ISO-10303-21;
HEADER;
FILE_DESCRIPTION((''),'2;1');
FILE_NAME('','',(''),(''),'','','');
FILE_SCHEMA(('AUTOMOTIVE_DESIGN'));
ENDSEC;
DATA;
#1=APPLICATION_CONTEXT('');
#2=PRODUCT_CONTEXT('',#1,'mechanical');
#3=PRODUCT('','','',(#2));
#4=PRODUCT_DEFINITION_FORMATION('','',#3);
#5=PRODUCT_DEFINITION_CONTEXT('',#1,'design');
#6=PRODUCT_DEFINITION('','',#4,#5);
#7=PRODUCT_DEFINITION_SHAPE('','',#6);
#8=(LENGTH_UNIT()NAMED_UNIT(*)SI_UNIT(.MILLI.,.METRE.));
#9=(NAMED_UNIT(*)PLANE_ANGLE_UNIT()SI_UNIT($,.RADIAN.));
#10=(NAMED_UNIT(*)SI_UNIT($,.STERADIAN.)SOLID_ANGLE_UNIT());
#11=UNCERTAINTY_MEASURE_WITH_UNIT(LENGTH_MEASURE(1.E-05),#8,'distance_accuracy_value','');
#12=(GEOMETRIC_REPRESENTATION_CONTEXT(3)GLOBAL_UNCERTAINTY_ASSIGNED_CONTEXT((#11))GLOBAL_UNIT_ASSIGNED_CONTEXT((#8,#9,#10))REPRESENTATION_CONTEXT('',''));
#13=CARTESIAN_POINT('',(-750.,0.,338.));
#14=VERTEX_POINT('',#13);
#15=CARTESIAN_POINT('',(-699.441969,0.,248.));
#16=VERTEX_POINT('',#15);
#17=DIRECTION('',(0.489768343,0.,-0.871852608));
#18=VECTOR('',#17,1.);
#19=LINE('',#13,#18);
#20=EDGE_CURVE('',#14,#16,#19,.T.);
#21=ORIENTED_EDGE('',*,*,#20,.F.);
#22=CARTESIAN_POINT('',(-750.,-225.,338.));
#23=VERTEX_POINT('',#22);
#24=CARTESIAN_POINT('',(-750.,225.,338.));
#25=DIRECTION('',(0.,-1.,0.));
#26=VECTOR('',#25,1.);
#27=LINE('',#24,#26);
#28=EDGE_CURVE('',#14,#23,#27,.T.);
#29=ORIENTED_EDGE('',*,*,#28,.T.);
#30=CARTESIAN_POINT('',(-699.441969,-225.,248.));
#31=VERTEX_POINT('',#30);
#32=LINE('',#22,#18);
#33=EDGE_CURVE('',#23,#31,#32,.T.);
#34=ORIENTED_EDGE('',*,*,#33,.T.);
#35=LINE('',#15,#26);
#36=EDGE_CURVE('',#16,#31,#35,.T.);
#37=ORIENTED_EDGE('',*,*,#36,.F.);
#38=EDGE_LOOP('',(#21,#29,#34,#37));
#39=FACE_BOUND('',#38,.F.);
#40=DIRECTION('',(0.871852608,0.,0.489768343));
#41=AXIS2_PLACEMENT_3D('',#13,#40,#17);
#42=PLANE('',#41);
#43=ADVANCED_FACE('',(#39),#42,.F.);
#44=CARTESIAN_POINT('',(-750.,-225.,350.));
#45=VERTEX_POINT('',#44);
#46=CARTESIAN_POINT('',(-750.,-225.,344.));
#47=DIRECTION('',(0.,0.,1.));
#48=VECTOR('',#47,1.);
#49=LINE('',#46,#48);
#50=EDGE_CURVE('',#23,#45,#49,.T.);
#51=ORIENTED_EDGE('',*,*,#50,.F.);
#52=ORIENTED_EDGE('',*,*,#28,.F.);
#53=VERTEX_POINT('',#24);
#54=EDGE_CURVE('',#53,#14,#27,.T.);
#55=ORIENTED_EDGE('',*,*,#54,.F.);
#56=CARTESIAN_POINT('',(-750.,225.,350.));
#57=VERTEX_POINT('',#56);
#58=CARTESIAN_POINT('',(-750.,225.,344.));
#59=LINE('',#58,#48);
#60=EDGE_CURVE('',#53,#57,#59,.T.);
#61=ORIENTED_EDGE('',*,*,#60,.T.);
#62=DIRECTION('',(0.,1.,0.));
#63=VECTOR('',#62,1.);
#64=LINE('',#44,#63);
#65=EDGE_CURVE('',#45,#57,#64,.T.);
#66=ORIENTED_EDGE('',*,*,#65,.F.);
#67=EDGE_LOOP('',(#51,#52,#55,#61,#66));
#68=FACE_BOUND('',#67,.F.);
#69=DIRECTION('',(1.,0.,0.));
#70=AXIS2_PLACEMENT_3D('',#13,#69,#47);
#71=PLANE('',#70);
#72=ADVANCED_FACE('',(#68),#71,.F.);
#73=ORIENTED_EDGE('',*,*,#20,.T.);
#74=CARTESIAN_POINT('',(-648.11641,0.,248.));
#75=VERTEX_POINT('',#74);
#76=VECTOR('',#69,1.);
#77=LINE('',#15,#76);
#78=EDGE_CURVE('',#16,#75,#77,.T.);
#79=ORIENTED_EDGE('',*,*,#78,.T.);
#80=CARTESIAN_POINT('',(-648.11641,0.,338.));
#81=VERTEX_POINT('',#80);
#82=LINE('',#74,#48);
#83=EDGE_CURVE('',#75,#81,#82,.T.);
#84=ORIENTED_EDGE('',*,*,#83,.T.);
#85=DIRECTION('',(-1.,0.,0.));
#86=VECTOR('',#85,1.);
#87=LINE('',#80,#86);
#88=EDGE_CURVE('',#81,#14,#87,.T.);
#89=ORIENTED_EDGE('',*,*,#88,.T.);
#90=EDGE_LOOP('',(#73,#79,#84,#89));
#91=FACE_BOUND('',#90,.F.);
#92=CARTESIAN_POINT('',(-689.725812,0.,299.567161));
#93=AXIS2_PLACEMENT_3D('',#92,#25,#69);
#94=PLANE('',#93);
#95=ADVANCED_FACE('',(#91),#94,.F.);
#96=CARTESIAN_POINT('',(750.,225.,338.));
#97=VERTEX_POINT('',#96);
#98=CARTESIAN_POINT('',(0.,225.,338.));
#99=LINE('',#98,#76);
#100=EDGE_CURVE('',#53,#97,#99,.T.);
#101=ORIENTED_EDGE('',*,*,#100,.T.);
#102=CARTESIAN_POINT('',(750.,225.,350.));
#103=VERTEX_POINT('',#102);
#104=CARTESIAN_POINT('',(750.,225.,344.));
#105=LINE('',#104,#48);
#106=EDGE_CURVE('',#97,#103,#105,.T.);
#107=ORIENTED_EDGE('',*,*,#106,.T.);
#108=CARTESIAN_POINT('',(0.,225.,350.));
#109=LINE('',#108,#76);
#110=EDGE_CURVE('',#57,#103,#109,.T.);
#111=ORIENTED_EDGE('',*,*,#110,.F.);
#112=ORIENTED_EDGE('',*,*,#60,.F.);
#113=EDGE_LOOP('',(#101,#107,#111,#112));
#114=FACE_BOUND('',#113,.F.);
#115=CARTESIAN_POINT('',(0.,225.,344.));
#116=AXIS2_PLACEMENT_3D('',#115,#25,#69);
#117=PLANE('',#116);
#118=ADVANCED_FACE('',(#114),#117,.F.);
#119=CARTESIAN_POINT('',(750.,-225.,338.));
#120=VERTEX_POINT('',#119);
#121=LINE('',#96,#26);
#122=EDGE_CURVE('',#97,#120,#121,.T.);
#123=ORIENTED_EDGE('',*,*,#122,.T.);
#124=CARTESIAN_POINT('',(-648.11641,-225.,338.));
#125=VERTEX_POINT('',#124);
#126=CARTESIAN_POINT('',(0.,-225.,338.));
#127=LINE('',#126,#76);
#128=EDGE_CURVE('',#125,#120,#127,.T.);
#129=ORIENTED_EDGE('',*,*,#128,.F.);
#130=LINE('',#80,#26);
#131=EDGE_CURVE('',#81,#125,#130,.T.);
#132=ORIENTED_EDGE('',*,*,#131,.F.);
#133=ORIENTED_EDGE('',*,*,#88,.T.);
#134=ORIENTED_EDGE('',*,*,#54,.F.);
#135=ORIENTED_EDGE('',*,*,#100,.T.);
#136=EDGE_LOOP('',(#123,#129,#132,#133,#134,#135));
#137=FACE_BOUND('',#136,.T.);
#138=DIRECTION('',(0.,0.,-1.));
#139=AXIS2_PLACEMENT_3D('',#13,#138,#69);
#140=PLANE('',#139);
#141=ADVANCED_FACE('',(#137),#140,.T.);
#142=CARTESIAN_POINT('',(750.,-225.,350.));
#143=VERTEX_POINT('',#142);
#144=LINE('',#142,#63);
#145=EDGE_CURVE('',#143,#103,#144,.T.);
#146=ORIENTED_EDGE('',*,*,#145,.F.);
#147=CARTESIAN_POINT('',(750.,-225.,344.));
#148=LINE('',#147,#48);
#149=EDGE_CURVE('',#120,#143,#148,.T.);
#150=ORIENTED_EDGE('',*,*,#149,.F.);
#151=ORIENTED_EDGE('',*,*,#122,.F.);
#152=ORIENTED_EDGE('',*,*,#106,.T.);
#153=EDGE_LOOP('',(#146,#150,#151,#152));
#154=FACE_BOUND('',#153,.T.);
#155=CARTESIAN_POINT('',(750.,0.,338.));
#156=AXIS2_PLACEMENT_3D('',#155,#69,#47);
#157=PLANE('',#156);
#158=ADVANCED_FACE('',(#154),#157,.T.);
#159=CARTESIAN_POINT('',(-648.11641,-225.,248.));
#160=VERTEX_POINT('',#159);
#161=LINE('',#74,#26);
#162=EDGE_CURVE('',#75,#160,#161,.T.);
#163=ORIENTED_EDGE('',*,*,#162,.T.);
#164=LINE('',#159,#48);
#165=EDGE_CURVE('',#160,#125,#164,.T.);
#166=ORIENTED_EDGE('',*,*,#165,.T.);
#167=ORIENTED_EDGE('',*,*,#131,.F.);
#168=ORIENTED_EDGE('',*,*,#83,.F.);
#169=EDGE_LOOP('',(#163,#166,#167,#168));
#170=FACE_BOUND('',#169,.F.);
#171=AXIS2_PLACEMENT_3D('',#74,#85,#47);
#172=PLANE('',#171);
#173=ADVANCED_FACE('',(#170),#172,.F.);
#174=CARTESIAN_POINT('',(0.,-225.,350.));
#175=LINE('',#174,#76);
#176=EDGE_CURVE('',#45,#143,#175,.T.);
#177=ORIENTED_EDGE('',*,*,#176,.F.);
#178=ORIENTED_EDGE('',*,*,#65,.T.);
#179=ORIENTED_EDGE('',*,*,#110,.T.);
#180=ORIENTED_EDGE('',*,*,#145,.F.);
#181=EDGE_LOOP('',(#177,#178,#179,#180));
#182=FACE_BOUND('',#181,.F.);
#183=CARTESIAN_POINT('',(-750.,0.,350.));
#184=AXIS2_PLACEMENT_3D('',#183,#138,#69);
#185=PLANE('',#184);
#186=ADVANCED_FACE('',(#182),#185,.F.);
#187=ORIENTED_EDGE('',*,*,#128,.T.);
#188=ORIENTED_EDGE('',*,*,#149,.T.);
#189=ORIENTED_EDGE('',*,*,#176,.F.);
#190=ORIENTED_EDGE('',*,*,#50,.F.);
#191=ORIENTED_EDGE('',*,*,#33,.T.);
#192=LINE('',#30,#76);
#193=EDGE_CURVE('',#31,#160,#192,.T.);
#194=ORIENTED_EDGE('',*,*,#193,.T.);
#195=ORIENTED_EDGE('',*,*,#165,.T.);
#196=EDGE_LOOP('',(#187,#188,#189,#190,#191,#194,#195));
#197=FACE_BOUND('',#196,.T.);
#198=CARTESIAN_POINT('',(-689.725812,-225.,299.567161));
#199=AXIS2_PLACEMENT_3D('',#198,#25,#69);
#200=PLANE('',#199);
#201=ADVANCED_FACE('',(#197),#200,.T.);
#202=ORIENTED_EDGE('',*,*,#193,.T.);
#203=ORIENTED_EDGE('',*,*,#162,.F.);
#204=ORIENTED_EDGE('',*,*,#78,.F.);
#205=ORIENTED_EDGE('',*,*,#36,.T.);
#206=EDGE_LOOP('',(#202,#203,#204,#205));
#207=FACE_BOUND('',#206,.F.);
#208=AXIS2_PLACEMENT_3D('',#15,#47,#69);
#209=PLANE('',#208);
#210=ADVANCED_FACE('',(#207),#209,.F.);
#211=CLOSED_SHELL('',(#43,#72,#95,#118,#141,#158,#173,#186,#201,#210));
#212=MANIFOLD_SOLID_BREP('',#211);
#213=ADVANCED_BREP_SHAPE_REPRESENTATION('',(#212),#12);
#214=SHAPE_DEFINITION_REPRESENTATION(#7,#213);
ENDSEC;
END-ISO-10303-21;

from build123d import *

# Parameters (mm, degrees)
F1_W     = 1500
F1_H     = 12
F2_DEPTH = 225
F4_DEPTH = 225


with BuildPart() as f2:
    # F1 (on Front) → F2 (new body, symmetric)
    with BuildSketch(Plane.XZ):
        with Locations((0, 344)):
            Rectangle(F1_W, F1_H)
    extrude(amount=F2_DEPTH, both=True)

    # F3 (on face) → F4 (join, through all)
    with BuildSketch(Plane.XZ):
        Polygon((-648.1164097786, 338), (-750, 338), (-699.4419693947, 248), (-648.1164097786, 248), (-648.1164097786, 282.9072217941), align=None)
    extrude(amount=F4_DEPTH)


solid = f2.part
